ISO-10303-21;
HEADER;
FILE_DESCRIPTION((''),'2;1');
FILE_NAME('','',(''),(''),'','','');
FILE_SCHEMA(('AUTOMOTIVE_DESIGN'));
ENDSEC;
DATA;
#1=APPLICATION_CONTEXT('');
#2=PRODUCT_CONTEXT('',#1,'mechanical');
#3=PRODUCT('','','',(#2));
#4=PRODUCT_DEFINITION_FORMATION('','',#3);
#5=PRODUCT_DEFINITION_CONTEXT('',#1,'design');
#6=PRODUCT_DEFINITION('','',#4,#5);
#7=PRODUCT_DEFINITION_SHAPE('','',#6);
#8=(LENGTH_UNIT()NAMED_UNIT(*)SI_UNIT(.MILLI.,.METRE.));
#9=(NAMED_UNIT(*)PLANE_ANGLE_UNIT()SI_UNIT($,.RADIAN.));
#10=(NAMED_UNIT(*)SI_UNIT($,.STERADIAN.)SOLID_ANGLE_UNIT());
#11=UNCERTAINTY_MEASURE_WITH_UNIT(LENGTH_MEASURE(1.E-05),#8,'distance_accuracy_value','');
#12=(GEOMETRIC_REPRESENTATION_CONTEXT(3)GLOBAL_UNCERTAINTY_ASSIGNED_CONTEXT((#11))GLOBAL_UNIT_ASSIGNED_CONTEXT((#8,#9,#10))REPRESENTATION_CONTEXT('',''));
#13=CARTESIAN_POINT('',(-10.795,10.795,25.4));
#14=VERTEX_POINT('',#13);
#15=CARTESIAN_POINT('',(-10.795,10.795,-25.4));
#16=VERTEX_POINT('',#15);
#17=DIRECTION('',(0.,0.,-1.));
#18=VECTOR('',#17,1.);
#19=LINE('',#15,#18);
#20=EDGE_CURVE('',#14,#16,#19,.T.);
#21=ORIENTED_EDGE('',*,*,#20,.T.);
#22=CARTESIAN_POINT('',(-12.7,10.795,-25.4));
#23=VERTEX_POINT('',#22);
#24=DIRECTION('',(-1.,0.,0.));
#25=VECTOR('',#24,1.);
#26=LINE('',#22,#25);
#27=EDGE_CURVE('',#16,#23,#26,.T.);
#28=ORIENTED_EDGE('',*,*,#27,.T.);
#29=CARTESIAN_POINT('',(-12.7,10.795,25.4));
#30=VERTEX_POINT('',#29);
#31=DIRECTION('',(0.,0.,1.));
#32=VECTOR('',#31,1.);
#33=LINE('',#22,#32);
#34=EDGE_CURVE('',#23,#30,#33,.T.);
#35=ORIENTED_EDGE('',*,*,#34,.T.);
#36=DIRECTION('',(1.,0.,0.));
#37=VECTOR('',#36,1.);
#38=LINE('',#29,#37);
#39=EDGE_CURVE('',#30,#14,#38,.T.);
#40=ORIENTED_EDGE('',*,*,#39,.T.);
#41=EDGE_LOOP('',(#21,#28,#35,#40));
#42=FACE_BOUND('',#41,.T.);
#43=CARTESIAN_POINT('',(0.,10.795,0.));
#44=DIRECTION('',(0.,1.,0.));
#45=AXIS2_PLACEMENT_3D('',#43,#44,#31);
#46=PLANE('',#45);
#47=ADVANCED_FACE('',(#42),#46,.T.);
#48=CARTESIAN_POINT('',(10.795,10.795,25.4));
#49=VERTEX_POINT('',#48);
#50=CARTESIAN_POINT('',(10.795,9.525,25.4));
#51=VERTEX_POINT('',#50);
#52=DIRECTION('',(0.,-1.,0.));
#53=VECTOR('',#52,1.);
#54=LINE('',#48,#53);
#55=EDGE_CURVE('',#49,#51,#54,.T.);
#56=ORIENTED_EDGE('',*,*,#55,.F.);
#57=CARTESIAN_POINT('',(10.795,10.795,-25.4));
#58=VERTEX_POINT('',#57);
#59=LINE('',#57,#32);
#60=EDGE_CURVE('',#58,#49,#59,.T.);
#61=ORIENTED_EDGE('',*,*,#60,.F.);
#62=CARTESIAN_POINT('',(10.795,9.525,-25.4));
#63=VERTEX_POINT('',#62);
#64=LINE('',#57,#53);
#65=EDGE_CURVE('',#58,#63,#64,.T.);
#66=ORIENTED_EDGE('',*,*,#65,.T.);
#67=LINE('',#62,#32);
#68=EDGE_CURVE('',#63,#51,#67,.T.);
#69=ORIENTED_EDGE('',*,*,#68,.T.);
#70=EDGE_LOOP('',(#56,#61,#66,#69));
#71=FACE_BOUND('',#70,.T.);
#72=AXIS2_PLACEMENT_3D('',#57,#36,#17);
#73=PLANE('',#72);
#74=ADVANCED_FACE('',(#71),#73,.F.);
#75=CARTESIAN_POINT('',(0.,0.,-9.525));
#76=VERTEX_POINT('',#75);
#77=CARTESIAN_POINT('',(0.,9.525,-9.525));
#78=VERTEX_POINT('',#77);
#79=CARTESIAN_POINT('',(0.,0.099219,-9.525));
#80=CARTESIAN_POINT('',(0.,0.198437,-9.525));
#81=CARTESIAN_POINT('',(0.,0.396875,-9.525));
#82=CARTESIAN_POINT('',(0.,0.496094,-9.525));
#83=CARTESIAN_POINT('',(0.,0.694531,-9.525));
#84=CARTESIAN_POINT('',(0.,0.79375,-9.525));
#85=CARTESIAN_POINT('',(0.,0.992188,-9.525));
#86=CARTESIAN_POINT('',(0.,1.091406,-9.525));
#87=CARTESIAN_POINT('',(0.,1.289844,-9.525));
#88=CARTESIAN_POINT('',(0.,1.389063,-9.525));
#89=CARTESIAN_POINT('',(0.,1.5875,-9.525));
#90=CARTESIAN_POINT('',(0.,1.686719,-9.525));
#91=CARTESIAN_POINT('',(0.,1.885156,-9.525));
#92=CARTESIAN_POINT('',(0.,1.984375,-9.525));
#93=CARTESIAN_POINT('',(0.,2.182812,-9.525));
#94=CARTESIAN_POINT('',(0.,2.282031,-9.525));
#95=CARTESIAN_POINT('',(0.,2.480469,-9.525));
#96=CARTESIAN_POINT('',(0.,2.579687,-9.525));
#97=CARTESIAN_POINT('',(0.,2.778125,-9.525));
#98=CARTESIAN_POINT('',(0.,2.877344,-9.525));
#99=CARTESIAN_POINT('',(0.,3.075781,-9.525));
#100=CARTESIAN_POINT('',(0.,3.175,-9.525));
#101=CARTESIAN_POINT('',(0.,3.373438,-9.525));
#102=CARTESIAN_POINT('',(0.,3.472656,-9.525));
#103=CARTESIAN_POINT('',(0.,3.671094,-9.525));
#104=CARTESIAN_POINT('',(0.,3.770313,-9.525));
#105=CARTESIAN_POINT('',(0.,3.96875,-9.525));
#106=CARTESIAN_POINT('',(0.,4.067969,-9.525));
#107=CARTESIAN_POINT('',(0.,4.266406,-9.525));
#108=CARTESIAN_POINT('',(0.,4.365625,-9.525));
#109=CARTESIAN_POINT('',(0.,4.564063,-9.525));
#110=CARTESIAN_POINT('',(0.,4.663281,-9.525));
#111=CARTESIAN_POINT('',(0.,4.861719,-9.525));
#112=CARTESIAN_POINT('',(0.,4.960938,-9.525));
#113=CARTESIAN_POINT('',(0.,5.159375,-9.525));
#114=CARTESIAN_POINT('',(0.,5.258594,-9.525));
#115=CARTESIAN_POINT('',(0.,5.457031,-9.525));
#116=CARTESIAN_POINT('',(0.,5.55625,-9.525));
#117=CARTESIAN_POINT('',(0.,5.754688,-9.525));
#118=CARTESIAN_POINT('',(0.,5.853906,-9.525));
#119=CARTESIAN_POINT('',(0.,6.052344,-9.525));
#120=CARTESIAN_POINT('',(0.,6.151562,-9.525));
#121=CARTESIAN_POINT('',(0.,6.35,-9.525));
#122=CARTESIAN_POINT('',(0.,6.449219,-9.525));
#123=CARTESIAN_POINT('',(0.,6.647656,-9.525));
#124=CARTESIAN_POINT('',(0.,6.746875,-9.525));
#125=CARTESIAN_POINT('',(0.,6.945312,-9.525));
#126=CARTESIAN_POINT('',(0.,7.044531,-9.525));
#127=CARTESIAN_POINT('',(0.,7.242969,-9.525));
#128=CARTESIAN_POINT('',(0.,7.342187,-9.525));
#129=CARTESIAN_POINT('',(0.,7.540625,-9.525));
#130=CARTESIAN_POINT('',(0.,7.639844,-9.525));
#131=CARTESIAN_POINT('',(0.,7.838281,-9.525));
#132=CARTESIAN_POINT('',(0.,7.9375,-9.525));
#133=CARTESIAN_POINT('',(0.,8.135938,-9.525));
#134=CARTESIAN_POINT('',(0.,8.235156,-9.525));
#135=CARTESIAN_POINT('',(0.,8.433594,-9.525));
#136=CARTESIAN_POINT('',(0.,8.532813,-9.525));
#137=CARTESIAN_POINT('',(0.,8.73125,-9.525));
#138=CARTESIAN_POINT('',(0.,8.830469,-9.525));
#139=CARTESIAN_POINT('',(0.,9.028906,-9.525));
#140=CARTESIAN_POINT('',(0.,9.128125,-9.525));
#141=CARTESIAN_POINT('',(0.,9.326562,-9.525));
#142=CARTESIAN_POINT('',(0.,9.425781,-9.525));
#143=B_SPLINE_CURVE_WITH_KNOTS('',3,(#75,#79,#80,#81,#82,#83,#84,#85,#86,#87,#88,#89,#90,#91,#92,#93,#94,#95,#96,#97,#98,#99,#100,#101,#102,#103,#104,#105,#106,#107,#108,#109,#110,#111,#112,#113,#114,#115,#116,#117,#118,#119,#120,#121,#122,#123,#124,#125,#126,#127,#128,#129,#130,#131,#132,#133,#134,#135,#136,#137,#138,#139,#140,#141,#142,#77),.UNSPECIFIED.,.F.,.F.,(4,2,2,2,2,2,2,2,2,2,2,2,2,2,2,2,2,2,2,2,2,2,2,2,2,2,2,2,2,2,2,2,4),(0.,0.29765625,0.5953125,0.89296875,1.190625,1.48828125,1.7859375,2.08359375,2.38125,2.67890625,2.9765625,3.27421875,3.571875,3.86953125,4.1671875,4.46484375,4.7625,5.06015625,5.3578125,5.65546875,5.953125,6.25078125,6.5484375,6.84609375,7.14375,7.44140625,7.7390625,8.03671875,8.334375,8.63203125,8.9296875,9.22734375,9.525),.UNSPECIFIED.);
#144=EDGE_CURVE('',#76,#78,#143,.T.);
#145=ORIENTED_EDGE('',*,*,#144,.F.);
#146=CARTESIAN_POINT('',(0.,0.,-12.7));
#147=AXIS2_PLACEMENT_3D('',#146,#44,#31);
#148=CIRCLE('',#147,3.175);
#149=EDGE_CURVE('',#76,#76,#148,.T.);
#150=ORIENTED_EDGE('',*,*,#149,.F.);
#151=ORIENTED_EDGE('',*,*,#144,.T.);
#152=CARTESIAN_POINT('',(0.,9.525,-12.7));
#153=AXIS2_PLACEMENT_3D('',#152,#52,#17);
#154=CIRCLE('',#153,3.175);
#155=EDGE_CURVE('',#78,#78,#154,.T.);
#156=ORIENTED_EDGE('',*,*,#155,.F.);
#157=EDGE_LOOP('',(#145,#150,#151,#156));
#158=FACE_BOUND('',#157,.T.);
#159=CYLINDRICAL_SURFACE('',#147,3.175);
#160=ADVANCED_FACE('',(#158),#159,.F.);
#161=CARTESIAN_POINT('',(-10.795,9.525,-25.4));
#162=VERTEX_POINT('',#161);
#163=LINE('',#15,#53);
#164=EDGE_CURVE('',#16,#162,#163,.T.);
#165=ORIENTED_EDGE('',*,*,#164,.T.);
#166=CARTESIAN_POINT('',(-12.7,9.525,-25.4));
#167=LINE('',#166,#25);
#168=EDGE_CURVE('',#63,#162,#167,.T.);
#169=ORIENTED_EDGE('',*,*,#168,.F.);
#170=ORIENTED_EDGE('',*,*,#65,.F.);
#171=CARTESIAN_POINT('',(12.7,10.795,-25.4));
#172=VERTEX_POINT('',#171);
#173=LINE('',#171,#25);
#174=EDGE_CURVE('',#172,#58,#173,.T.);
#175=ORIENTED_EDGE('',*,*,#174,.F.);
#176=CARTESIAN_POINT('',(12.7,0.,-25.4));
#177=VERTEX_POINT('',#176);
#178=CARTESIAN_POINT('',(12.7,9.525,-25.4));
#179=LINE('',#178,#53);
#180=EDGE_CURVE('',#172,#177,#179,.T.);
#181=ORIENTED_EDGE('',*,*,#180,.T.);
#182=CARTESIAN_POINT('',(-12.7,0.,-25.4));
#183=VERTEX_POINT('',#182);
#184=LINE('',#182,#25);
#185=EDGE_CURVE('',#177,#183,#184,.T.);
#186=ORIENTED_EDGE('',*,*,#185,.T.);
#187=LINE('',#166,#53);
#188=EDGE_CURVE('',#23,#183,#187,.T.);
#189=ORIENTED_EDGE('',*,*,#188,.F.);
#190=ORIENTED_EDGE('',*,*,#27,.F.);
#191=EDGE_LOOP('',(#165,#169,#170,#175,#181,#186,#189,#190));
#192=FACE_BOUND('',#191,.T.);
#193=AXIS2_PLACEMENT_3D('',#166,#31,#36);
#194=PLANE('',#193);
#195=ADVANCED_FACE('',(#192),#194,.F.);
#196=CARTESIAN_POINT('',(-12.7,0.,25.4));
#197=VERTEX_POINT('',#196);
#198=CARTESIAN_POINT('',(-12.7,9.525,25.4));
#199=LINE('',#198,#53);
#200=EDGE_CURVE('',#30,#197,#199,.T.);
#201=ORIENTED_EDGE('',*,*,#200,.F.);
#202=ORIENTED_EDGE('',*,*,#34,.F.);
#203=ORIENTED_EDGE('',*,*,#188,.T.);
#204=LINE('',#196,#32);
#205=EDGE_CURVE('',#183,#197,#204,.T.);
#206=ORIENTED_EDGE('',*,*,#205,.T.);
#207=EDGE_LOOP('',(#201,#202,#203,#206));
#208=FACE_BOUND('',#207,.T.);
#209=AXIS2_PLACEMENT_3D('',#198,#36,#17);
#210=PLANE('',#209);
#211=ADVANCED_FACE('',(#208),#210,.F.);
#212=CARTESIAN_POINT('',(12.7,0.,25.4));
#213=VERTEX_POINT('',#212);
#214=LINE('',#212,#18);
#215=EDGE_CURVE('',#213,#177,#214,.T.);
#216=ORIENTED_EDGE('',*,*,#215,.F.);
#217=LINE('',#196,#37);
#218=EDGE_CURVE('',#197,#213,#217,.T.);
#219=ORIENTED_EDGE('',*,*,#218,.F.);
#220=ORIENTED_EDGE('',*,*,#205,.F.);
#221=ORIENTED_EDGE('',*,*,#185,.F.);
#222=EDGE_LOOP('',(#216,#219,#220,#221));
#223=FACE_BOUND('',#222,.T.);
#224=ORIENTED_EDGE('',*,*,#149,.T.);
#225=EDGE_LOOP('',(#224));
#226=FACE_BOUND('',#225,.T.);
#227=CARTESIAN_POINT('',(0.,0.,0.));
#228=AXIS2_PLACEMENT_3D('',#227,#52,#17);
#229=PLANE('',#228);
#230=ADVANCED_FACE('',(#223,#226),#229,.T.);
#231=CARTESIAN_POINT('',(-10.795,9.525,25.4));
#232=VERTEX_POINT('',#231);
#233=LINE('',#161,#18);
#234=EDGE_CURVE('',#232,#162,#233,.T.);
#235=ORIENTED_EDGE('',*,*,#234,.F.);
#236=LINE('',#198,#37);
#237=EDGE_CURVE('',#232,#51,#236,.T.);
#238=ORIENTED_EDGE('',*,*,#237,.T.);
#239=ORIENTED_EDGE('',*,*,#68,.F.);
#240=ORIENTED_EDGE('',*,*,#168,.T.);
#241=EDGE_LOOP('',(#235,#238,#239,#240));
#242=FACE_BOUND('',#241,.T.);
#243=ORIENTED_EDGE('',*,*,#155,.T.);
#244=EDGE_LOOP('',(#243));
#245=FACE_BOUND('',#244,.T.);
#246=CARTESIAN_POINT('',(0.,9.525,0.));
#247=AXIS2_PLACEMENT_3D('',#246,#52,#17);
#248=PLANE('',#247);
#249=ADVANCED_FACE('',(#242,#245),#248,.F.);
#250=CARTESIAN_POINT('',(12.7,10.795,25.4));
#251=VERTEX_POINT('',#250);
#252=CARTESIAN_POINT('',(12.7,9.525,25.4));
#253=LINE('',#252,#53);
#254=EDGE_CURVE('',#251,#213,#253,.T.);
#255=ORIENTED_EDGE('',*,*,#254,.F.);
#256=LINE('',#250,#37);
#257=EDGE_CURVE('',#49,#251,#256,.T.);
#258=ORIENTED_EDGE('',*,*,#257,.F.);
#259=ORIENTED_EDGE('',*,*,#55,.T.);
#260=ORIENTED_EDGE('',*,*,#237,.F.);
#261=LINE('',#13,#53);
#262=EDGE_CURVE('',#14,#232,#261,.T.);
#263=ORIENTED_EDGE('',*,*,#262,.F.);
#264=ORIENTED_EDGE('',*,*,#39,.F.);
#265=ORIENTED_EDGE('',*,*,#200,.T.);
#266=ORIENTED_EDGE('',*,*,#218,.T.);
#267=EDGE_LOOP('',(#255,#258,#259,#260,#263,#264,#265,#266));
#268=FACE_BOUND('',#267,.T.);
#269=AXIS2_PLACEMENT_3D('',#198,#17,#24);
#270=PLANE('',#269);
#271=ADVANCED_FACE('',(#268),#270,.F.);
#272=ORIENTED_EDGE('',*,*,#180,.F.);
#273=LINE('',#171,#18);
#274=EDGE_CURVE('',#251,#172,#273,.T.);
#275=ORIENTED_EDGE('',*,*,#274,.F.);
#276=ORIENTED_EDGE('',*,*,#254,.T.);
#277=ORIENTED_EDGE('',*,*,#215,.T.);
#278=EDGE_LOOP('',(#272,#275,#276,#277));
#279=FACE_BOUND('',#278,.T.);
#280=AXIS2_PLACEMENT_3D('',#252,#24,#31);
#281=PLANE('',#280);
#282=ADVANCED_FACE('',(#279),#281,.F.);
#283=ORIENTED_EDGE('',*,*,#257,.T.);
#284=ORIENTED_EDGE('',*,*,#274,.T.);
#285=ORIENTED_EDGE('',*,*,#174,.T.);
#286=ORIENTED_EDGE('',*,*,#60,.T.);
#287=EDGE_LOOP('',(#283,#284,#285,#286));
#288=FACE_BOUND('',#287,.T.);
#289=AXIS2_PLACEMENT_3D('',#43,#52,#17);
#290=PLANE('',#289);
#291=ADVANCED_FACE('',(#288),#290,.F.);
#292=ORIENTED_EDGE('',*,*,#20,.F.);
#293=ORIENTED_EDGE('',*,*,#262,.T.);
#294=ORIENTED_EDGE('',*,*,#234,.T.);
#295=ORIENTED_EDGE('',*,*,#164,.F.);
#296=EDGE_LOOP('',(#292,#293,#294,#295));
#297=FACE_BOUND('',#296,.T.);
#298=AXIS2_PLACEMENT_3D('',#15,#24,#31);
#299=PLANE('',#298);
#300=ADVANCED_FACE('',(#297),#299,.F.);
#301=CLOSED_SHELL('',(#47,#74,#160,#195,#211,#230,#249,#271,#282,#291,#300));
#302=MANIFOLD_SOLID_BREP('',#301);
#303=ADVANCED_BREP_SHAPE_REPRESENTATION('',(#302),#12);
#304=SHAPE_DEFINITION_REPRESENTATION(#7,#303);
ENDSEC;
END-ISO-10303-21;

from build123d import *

# Parameters (mm, degrees)
SKETCH1_W               = 25.4
SKETCH1_H               = 50.8
BOSS_EXTRUDE1_DEPTH     = 9.525
SKETCH2_W               = 1.905
SKETCH2_H               = 50.8
BOSS_EXTRUDE2_DEPTH     = 1.27
CUT_EXTRUDE1_DEPTH      = 30.952890094
CUT_EXTRUDE1_DEPTH_BACK = 30.952890094
SKETCH3_R               = 3.175


with BuildPart() as part:
    # Sketch1 → Boss-Extrude1 (new body)
    with BuildSketch(Plane(origin=(0, 0, 0), x_dir=(1, 0, 0), z_dir=(0, 1, 0))):
        Rectangle(SKETCH1_W, SKETCH1_H)
    extrude(amount=BOSS_EXTRUDE1_DEPTH)

    # Sketch2 → Boss-Extrude2 (add)
    with BuildSketch(Plane(origin=(0, 9.525, 0), x_dir=(1, 0, 0), z_dir=(0, 1, 0))):
        with Locations((-11.7475, 0)):
            Rectangle(SKETCH2_W, SKETCH2_H)
        with Locations((11.7475, 0)):
            Rectangle(SKETCH2_W, SKETCH2_H)
    extrude(amount=BOSS_EXTRUDE2_DEPTH)

    # Sketch3 → Cut-Extrude1 (cut, two sides: drawn at the far end of the back side and taken through both)
    with BuildSketch(Plane(origin=(0, 9.525, 0), x_dir=(1, 0, 0), z_dir=(0, 1, 0)).offset(-CUT_EXTRUDE1_DEPTH_BACK)):
        with Locations(Location((0, 12.7, 0), (0, 0, 270))):
            Circle(SKETCH3_R)
    extrude(amount=CUT_EXTRUDE1_DEPTH + CUT_EXTRUDE1_DEPTH_BACK, mode=Mode.SUBTRACT)


solid = part.part
